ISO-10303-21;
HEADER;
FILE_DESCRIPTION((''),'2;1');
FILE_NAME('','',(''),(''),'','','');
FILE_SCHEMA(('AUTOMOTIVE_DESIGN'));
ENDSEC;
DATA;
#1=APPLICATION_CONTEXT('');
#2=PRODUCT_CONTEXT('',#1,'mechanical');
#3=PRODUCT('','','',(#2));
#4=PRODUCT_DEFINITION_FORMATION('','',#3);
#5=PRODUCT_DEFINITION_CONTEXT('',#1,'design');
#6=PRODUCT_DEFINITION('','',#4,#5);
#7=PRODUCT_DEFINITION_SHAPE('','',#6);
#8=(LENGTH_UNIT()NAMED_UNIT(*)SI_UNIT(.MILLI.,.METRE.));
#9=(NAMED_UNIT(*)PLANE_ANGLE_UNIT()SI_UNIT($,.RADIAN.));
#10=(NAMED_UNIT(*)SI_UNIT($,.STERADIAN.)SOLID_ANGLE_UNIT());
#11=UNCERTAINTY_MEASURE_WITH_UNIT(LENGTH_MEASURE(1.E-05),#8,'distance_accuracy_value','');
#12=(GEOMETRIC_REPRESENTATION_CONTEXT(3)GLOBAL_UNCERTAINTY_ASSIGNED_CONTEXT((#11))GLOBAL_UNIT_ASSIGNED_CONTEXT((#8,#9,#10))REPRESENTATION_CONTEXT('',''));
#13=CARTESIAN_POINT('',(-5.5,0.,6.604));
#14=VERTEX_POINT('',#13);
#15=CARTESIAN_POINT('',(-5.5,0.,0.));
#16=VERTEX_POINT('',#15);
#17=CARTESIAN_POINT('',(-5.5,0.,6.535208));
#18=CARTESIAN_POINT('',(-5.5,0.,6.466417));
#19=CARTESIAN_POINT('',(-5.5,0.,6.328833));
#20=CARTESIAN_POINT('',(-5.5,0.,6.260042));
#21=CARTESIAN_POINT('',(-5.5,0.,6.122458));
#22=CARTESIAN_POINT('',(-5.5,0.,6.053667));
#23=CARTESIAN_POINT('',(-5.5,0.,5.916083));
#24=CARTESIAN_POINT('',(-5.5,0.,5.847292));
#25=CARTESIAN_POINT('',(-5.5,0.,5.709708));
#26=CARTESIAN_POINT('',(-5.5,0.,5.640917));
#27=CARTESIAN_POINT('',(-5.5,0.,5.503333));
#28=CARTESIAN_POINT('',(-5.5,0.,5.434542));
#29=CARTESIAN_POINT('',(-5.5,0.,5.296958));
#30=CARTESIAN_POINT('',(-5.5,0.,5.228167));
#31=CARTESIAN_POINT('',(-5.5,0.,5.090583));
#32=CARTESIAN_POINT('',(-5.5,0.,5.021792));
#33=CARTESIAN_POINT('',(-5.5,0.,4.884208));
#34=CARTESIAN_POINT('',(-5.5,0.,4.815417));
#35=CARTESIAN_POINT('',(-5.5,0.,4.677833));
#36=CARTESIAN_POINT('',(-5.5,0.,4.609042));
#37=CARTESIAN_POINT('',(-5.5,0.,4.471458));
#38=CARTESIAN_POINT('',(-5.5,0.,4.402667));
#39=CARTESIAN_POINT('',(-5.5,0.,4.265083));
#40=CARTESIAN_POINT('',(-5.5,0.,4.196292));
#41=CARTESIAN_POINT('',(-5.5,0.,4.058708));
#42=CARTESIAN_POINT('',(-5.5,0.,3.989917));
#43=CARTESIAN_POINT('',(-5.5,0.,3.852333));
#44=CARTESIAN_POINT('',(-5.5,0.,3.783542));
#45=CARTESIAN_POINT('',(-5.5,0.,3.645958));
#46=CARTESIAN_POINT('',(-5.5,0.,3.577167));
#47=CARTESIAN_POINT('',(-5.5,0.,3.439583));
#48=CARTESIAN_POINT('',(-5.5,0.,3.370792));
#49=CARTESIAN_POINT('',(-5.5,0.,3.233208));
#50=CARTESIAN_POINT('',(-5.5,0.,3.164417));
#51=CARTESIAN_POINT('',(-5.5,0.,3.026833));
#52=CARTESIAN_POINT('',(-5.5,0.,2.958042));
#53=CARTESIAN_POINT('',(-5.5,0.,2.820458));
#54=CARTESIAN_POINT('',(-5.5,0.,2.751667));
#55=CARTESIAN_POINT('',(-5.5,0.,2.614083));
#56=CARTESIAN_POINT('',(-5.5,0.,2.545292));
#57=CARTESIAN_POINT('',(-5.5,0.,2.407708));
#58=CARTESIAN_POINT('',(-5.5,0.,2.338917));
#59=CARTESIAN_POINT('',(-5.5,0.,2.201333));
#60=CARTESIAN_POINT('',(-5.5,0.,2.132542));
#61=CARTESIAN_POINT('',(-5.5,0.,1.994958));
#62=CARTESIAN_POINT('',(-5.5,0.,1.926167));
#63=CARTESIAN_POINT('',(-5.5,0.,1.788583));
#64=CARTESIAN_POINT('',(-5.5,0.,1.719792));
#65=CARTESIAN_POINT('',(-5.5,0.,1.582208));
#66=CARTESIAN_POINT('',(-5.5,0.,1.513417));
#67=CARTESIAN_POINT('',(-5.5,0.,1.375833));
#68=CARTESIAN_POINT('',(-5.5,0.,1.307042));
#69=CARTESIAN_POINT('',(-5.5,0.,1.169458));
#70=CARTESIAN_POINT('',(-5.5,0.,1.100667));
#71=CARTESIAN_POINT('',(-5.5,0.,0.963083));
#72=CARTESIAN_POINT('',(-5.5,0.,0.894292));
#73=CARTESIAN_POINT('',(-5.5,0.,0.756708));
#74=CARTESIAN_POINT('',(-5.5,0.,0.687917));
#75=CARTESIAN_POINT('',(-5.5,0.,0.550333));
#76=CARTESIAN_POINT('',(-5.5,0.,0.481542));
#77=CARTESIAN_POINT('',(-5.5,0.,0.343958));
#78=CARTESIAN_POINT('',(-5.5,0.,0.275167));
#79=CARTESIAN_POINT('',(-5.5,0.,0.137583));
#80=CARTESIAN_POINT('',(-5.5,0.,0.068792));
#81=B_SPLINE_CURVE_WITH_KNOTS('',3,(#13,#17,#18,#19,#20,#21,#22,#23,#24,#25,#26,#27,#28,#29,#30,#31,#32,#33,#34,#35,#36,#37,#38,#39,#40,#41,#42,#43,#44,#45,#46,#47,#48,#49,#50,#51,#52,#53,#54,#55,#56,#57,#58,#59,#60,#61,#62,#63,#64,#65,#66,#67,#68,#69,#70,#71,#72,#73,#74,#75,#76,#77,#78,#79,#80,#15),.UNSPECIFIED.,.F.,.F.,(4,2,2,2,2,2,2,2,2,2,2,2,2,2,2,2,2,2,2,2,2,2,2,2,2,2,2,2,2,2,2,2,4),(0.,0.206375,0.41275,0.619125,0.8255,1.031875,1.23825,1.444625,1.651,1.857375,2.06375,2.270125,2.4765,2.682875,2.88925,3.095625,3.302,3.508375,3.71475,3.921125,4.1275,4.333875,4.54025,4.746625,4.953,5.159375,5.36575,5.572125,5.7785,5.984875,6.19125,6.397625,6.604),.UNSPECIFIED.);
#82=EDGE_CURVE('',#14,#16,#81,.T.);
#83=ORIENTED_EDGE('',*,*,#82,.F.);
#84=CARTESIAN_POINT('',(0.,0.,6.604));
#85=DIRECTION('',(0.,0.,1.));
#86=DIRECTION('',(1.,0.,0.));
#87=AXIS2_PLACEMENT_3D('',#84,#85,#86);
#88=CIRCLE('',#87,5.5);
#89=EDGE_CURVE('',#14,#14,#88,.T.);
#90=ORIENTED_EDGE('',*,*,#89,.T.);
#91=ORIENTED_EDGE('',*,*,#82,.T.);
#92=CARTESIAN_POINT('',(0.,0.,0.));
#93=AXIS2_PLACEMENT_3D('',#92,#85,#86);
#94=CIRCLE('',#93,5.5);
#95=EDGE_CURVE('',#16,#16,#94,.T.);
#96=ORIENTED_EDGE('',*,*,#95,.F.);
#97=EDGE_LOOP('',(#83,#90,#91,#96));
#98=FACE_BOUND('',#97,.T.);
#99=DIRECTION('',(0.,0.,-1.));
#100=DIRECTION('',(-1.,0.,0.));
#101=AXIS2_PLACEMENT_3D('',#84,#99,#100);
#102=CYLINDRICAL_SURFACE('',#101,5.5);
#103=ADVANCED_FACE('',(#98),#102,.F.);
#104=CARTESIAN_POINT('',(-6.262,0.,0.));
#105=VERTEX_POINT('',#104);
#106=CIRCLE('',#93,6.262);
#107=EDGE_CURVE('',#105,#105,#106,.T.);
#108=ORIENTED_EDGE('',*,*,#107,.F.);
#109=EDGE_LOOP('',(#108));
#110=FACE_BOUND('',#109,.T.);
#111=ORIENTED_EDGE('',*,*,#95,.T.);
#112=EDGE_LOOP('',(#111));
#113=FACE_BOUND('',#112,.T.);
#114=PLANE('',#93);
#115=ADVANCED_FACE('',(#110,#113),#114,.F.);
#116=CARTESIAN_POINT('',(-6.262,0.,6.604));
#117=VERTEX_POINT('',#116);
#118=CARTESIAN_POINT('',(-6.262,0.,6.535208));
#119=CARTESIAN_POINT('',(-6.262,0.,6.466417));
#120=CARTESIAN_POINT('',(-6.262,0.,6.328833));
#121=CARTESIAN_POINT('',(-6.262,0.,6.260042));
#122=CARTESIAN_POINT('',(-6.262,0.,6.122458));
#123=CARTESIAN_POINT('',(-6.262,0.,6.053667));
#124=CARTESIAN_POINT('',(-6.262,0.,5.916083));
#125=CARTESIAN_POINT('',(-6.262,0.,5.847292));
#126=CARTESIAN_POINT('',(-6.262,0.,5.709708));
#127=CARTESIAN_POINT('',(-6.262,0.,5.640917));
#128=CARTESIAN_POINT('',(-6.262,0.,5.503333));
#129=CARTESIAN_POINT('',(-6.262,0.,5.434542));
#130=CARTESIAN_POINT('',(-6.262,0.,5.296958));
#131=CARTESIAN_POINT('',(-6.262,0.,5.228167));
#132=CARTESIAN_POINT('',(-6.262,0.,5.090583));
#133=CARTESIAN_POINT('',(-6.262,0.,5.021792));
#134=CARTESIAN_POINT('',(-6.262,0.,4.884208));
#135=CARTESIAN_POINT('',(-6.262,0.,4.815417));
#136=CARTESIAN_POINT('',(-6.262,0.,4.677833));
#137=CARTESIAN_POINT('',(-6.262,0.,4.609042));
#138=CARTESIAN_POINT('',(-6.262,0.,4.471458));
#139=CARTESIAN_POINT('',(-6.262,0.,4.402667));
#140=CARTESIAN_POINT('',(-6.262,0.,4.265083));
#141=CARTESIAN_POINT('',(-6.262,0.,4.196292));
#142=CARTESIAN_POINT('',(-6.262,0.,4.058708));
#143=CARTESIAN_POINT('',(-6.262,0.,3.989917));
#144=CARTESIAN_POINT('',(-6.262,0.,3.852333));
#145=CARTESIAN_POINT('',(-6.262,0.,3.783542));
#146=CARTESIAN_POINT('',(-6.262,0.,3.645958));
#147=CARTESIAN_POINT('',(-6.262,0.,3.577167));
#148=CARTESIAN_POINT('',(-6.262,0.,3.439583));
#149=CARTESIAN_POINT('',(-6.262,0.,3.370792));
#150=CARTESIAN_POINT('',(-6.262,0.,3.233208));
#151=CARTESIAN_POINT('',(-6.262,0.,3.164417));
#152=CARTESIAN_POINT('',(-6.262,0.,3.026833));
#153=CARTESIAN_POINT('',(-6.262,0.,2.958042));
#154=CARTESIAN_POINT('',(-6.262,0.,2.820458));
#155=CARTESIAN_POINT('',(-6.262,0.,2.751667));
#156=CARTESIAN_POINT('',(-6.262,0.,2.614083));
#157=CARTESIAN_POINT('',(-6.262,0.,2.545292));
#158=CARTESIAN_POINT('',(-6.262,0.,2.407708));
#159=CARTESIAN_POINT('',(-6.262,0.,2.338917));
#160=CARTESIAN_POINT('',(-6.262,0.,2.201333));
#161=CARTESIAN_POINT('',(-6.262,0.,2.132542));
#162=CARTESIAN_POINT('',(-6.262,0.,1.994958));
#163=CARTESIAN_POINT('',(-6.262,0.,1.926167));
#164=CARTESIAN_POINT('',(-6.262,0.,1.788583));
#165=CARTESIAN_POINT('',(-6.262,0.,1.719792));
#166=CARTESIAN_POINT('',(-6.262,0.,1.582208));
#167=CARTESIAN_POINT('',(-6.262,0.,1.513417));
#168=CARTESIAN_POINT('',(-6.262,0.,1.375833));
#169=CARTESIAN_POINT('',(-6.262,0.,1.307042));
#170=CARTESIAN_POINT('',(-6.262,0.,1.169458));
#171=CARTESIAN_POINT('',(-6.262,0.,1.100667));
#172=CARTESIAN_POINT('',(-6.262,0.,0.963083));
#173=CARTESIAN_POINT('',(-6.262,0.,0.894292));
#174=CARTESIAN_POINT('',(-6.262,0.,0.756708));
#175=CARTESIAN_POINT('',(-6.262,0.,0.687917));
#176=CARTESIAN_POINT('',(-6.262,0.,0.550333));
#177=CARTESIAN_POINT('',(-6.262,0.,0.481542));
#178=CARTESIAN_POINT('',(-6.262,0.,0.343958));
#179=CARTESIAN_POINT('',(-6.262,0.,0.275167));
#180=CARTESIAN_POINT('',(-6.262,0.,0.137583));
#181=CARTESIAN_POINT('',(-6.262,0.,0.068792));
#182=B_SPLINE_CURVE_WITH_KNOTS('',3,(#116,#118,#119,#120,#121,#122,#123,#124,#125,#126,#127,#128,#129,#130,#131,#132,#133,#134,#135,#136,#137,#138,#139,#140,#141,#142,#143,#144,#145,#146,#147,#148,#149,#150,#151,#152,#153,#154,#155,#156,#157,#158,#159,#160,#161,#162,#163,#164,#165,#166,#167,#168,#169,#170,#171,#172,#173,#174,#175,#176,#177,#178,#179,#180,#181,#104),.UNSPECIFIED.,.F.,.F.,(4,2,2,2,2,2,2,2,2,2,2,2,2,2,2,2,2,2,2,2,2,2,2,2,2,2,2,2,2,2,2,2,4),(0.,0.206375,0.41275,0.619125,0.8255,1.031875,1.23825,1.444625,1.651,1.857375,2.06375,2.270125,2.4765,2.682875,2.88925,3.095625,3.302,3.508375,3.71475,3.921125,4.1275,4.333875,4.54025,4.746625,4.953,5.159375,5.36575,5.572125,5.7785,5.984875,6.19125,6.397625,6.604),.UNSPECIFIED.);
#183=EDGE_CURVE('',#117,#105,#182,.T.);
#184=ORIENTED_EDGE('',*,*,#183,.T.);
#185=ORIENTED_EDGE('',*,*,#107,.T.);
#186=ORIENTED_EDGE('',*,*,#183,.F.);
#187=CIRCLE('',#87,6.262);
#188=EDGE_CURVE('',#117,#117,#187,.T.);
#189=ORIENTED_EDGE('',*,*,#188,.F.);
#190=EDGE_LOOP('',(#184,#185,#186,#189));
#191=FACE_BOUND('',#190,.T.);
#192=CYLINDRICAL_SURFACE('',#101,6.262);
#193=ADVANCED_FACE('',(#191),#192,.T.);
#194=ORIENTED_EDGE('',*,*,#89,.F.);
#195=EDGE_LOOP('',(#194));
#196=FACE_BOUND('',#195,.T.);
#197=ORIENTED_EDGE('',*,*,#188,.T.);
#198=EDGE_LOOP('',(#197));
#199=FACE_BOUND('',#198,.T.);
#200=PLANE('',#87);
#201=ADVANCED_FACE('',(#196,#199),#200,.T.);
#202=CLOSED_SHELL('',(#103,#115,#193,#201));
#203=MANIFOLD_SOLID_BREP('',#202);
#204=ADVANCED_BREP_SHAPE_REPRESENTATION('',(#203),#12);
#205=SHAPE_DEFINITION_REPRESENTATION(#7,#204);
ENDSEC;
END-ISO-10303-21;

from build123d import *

# Parameters (mm, degrees)
SKETCH1_R           = 6.262000049
SKETCH1_R_2         = 5.5
BOSS_EXTRUDE1_DEPTH = 6.604


with BuildPart() as part:
    # Sketch1 → Boss-Extrude1 (new body)
    with BuildSketch(Plane(origin=(0, 0, 0), x_dir=(0, 1, 0), z_dir=(0, 0, 1))):
        with Locations(Location((0, 0, 0), (0, 0, 90))):
            Circle(SKETCH1_R)
        with Locations(Location((0, 0, 0), (0, 0, 90))):
            Circle(SKETCH1_R_2, mode=Mode.SUBTRACT)
    extrude(amount=BOSS_EXTRUDE1_DEPTH)


solid = part.part
